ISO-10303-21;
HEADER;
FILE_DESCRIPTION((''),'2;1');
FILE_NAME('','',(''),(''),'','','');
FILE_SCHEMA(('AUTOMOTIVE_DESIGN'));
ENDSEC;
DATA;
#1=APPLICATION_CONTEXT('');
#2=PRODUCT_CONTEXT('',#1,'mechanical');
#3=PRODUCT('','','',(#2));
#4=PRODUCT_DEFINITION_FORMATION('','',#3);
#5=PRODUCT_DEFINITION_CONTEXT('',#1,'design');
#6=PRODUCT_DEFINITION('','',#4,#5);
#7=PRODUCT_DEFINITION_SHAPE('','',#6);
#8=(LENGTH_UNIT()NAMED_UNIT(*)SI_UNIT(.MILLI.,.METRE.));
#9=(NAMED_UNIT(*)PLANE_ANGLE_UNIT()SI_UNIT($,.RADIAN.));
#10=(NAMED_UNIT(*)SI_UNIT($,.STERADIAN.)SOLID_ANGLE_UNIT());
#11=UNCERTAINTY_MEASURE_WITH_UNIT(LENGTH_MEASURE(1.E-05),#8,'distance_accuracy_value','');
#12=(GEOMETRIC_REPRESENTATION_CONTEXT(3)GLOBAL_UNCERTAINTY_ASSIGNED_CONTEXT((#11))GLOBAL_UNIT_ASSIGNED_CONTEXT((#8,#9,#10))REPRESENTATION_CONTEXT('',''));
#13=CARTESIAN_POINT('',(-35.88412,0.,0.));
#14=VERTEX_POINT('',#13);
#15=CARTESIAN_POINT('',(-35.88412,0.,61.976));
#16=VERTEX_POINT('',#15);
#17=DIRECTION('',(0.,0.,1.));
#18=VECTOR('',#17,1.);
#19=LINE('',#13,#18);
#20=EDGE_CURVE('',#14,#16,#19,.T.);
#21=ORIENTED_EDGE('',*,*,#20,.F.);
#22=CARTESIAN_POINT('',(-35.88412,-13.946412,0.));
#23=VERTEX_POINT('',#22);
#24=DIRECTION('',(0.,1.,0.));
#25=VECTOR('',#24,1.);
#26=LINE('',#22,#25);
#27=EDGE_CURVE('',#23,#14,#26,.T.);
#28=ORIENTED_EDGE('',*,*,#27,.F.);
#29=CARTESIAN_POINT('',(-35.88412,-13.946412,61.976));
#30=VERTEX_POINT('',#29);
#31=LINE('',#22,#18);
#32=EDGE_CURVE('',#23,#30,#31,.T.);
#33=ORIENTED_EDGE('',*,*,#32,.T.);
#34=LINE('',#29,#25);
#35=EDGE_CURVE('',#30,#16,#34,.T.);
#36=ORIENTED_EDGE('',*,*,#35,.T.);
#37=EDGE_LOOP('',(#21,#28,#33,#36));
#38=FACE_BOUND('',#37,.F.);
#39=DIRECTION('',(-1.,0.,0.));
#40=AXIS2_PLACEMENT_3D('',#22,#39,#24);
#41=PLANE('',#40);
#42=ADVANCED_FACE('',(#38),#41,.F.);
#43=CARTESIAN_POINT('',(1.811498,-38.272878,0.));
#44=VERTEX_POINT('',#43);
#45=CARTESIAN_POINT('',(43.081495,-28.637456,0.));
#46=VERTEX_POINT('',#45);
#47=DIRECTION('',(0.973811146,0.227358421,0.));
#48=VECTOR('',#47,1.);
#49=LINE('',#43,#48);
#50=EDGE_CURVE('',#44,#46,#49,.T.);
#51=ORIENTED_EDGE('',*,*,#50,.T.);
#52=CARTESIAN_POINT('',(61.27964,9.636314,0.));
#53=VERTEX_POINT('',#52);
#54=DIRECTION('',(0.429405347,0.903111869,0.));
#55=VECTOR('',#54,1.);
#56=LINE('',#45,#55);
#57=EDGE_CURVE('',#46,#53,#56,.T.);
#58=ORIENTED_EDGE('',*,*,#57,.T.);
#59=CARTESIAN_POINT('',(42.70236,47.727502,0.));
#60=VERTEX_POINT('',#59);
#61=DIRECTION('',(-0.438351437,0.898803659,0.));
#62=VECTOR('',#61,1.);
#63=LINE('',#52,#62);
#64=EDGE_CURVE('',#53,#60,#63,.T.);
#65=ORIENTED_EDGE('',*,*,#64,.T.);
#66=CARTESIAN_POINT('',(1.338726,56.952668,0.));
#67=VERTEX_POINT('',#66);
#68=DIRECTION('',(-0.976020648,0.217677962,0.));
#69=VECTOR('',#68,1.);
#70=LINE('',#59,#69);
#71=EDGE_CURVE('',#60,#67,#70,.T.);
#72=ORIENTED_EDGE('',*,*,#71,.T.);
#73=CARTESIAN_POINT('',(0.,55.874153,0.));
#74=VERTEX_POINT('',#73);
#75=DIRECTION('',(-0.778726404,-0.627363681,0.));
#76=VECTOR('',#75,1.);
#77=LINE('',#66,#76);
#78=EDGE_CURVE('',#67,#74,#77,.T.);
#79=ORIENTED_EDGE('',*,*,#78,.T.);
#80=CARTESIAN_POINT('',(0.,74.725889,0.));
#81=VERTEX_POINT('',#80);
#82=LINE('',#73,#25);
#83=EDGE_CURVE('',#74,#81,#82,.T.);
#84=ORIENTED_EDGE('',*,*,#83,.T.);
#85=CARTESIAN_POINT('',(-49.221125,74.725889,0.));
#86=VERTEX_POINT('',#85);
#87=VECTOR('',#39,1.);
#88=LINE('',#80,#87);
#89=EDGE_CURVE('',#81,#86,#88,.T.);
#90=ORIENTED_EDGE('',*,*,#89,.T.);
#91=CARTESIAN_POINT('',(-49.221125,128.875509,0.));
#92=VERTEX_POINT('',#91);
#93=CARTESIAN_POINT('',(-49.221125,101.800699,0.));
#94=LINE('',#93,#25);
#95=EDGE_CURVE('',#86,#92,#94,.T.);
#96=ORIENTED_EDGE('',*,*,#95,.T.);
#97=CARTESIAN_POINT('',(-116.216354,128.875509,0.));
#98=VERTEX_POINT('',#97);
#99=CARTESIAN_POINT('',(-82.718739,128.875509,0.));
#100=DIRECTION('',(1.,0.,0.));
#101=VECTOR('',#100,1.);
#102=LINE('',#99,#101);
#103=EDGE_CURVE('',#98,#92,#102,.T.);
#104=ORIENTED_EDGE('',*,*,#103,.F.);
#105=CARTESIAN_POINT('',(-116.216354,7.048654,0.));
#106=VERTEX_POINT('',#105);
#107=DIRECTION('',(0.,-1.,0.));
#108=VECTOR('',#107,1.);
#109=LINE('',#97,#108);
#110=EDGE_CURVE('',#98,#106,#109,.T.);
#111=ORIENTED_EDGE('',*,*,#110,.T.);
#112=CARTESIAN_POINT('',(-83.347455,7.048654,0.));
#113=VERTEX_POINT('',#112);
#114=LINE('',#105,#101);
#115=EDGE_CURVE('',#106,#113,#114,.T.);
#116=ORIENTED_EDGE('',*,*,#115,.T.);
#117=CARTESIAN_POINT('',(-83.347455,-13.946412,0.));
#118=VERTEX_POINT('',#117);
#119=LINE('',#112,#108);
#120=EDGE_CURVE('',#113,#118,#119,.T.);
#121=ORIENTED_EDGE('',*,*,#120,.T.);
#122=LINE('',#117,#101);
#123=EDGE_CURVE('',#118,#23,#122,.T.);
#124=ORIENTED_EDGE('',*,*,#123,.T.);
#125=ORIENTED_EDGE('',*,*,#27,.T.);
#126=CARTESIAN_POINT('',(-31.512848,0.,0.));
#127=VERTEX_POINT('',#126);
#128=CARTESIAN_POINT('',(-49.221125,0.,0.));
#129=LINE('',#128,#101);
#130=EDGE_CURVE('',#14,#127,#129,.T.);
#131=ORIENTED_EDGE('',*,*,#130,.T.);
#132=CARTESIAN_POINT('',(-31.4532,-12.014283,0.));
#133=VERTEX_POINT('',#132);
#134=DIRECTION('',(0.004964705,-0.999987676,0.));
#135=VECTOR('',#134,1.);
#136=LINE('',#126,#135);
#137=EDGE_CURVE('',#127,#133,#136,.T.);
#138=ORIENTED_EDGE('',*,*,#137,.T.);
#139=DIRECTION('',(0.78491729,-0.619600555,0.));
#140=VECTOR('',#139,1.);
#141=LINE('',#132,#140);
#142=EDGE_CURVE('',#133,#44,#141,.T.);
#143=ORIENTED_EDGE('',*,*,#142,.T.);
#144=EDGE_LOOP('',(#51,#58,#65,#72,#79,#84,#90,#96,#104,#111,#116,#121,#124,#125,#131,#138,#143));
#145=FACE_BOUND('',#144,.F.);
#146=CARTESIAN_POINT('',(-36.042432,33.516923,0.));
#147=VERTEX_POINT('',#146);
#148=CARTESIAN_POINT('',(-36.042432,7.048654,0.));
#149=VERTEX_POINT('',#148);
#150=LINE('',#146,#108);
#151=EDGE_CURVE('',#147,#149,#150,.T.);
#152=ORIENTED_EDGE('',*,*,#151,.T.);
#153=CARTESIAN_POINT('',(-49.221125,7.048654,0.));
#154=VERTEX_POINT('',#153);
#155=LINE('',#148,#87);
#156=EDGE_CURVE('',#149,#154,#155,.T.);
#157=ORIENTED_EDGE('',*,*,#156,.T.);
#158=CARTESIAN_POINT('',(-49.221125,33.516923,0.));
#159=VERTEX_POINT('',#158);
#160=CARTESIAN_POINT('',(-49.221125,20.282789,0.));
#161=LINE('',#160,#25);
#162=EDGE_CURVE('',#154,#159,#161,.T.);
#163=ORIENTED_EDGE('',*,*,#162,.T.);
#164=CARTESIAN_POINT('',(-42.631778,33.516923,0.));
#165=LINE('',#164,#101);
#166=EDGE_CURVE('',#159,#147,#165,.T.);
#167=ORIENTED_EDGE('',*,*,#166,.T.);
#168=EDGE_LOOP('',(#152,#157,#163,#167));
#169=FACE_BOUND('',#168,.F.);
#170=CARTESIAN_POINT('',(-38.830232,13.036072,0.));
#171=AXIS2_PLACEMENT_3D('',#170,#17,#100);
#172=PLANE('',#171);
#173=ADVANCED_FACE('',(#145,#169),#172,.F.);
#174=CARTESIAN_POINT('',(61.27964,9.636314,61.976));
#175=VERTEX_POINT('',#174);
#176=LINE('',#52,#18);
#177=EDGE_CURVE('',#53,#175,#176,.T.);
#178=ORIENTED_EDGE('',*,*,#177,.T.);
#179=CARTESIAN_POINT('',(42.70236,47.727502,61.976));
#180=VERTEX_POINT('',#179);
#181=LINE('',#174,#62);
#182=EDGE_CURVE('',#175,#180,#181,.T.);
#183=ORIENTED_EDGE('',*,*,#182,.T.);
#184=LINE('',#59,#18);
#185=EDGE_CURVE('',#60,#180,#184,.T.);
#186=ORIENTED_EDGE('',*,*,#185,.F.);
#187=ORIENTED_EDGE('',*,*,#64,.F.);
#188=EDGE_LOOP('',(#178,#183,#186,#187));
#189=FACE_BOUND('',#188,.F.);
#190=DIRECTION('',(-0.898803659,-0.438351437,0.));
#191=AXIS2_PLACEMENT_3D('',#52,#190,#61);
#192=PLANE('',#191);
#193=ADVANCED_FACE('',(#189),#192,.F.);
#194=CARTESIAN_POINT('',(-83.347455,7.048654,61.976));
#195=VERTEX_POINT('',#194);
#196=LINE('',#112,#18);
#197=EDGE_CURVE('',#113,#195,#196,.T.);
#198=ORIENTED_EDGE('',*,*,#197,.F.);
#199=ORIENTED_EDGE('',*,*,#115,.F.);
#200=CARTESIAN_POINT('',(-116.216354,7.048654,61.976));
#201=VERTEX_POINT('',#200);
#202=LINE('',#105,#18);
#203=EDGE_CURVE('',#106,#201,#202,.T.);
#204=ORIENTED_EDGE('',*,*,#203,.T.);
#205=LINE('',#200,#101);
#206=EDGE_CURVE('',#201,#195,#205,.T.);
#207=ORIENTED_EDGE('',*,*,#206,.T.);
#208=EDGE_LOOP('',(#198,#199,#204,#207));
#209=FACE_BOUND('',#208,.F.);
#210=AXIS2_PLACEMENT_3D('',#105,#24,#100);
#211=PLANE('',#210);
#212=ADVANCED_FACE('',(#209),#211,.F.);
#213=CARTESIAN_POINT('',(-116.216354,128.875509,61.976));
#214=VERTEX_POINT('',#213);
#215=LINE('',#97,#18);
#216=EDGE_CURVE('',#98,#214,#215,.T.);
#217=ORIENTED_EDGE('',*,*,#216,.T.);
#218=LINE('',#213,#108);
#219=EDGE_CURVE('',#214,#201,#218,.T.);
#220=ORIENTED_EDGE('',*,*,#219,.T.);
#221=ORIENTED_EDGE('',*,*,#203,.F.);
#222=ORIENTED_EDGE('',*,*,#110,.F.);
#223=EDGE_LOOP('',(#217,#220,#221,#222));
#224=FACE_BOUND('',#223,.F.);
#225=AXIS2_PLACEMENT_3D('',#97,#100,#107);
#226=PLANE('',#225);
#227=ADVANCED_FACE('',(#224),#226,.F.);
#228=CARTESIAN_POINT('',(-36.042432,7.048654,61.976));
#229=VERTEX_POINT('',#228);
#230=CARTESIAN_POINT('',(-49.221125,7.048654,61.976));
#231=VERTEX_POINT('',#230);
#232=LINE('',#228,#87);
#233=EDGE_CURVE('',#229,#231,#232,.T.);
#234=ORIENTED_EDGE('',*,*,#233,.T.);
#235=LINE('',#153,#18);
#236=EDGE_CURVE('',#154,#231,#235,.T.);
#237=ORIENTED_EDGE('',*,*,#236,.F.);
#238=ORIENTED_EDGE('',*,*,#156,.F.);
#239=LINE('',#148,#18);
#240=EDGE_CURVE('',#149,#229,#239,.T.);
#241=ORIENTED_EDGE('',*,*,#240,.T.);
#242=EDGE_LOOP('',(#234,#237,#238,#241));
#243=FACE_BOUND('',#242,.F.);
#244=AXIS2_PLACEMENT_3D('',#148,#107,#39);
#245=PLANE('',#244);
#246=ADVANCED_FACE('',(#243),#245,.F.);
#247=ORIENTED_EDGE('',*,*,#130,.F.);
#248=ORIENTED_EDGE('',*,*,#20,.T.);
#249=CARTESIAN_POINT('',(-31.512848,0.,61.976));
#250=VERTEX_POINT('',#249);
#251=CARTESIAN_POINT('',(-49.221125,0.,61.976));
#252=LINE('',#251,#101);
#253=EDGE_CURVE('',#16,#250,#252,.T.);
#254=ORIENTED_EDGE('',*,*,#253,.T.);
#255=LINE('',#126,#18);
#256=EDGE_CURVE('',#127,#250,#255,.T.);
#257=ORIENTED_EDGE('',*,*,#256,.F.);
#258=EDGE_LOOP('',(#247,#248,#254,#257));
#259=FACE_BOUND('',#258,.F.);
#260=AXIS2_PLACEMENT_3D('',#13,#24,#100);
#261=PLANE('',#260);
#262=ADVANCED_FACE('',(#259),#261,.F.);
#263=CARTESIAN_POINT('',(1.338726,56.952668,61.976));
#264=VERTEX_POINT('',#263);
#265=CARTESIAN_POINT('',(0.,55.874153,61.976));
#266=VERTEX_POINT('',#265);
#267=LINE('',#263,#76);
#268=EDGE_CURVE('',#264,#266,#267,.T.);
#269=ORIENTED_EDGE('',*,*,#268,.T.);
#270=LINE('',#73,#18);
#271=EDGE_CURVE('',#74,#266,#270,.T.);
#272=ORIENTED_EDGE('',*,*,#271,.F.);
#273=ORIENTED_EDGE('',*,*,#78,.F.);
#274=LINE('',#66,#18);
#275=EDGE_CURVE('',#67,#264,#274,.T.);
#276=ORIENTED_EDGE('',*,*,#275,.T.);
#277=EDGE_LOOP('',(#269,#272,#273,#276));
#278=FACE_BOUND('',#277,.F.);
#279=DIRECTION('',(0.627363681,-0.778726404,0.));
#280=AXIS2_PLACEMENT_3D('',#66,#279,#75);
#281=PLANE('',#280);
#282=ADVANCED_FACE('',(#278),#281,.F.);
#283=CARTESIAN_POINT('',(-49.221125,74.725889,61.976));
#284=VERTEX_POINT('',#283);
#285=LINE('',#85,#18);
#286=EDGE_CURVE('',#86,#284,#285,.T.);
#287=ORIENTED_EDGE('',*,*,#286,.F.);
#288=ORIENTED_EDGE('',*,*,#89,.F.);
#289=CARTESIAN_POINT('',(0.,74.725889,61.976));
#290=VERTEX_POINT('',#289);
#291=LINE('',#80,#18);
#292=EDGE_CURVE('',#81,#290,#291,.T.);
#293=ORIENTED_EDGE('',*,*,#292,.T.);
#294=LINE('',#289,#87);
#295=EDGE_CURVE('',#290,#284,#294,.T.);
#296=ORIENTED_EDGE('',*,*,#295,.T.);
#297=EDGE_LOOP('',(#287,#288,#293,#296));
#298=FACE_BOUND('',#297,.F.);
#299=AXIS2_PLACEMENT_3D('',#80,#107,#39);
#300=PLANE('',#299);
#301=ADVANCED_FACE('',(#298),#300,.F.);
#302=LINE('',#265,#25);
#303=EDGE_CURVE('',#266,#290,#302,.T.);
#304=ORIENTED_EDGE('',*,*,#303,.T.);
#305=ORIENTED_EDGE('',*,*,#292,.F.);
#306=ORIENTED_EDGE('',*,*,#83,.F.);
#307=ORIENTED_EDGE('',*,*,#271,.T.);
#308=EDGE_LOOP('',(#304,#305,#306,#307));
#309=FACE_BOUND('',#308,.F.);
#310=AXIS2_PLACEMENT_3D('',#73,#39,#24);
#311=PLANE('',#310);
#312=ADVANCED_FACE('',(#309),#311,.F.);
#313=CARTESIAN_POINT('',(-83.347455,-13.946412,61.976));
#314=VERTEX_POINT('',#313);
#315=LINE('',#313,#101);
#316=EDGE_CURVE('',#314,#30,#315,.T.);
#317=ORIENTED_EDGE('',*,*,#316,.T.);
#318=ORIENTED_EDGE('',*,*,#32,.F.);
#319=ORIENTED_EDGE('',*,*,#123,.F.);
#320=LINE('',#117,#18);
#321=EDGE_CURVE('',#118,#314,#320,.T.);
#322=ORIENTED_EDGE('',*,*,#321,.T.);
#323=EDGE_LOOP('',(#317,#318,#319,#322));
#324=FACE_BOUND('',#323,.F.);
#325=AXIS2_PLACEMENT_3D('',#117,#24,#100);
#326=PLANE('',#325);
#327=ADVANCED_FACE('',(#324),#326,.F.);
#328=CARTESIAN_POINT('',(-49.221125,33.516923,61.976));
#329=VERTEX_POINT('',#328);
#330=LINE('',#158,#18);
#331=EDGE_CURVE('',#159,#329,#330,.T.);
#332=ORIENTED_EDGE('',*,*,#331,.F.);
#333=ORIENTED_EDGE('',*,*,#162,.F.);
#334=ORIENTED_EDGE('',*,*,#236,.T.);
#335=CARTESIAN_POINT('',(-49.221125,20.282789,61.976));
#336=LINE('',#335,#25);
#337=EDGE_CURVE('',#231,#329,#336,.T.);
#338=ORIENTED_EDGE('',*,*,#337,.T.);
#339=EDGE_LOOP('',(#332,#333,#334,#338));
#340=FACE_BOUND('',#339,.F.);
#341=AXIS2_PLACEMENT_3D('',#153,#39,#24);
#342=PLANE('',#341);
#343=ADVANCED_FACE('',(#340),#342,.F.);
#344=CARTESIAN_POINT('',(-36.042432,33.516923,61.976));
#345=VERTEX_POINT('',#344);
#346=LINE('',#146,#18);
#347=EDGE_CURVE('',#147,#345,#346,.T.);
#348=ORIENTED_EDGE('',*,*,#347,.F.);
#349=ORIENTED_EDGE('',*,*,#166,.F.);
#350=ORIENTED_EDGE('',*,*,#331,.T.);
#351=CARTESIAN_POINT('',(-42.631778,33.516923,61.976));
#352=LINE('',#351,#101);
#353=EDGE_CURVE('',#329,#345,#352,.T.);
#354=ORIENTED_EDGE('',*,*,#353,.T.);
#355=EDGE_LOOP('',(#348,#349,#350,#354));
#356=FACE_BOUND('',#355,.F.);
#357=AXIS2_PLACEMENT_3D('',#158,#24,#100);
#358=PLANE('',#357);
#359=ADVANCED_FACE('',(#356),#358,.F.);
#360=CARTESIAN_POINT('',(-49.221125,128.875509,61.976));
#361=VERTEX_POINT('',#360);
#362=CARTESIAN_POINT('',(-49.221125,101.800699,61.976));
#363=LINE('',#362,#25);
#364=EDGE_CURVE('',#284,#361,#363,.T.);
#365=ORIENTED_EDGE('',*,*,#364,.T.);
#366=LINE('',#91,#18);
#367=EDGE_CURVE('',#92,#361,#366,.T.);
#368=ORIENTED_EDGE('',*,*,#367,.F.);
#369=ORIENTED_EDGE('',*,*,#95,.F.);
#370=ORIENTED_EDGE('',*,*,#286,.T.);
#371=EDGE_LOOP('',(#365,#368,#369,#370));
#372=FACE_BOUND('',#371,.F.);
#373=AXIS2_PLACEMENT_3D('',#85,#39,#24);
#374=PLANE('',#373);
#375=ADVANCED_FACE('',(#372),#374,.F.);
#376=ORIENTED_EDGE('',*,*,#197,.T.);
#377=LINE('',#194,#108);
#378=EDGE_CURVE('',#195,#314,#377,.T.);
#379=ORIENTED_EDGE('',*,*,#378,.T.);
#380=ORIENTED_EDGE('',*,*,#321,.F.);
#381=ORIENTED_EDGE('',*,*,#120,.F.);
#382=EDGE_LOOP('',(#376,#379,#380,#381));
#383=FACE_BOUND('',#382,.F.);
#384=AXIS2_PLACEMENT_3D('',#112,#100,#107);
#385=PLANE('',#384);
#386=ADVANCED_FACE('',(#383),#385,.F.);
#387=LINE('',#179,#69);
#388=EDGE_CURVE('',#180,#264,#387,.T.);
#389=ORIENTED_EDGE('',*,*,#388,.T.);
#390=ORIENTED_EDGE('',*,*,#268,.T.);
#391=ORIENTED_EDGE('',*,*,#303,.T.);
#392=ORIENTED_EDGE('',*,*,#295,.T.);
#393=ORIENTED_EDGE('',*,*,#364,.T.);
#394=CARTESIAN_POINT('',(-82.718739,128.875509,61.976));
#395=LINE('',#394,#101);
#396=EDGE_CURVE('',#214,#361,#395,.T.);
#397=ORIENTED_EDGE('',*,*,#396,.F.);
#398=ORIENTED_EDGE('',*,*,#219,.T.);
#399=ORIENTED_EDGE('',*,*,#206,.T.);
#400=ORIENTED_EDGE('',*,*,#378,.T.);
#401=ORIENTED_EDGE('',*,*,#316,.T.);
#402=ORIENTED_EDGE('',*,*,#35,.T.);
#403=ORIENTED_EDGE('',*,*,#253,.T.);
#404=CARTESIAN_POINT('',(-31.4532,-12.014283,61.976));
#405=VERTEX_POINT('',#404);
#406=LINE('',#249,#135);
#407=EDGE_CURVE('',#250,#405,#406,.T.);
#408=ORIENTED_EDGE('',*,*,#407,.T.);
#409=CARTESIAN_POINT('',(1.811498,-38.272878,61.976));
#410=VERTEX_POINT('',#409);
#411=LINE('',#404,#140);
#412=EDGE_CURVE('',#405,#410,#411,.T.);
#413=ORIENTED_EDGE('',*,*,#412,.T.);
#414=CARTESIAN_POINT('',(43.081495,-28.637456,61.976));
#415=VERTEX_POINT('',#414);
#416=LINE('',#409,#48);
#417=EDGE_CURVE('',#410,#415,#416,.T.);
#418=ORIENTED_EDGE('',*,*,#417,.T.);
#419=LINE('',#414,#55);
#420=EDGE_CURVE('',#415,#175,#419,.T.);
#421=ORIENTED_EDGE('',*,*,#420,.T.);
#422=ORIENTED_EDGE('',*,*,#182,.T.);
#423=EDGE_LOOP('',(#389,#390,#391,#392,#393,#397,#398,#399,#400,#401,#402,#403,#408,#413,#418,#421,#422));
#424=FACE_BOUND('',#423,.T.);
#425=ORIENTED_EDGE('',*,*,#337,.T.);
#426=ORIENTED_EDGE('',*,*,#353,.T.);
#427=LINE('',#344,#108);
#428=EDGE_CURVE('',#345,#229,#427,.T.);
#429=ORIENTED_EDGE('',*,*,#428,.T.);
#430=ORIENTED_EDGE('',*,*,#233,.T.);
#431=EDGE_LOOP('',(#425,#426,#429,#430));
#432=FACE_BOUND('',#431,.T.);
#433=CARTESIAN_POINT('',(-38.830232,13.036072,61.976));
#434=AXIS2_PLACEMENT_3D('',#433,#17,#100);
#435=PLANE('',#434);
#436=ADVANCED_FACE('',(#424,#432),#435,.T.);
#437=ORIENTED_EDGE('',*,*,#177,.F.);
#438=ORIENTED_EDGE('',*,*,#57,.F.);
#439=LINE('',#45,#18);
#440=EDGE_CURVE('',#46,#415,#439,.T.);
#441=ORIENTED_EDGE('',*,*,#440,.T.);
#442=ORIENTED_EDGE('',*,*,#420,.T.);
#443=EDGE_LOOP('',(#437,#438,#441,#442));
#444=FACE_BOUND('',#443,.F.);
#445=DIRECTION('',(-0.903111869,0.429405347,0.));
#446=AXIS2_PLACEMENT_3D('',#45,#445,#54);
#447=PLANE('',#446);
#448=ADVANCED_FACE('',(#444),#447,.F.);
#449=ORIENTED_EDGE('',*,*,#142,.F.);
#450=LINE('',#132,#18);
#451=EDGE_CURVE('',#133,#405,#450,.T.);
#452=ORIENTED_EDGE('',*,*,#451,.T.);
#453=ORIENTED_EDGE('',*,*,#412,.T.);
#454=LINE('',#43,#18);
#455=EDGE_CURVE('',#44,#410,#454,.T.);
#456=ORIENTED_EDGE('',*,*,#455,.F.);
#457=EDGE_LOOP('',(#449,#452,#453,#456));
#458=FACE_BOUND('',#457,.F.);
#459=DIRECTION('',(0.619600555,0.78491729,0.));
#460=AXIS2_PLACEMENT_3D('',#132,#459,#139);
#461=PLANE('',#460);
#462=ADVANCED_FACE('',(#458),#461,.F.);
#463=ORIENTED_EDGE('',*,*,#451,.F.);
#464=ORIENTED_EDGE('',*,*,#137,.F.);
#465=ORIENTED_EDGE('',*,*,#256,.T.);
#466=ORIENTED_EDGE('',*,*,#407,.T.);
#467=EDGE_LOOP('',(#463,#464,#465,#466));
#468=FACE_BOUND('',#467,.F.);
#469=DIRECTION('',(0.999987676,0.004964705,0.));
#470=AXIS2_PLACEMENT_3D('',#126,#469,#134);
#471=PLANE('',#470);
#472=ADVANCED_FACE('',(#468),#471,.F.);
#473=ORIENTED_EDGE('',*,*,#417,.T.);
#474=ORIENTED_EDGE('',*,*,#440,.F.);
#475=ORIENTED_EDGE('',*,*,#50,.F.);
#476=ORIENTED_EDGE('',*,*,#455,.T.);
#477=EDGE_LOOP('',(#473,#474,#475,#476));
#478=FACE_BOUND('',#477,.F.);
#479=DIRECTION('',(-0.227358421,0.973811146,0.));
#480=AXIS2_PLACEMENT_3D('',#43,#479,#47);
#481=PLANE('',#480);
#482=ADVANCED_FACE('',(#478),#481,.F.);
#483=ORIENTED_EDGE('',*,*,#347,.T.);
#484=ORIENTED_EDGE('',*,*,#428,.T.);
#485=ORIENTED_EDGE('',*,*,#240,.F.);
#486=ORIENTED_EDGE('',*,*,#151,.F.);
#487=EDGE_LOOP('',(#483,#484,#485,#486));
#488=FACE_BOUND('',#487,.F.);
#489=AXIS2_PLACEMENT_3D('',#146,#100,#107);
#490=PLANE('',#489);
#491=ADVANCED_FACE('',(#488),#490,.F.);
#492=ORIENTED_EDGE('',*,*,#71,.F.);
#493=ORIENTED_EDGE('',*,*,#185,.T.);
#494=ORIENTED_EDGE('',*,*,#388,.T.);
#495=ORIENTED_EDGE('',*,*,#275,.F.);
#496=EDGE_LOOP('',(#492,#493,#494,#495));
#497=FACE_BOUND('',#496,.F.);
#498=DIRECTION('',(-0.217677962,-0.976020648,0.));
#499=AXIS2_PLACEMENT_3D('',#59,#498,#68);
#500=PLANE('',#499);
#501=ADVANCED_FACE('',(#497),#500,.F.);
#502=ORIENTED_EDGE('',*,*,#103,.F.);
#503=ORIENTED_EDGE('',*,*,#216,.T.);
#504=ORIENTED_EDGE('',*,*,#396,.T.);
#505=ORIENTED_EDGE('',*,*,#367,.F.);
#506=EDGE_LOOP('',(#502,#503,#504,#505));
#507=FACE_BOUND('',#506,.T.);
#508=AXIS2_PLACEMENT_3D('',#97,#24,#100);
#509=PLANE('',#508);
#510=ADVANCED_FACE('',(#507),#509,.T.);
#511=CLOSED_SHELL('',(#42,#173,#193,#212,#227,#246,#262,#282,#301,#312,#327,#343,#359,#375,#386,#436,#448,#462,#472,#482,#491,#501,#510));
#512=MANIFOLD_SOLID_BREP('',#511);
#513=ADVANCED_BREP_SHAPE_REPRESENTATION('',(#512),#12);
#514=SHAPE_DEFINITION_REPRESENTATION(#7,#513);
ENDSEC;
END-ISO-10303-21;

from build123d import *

# Parameters (mm, degrees)
F0_W     = 13.1786922227
F0_H     = 41.2089657038
F0_W_2   = 66.9952295721
F0_H_2   = 54.149620235
F0_W_3   = 34.1263301671
F0_H_3   = 26.4682687528
F1_DEPTH = 61.976


with BuildPart() as f1:
    # F0 (on Top) → F1 (new body)
    with BuildSketch(Plane.XY):
        Polygon((-49.2211245, 0), (-35.8841195703, 0), (-35.8841195703, 33.5169229656), (-36.0424322773, 33.5169229656), (-36.0424322773, 7.0486542129), (-49.2211245, 7.0486542129), align=None)
        Polygon((-31.6636036608, 30.3650720171), (-31.5128481644, 0), (0, 0), (0, 55.8741530566), align=None)
        with Locations((-42.6317783887, 54.1214058176)):
            Rectangle(F0_W, F0_H)
        Polygon((0, 0), (-31.5128481644, 0), (-31.4532000547, -12.0142826496), (1.8114981332, -38.2728779304), (43.0814946911, -28.637456001), (61.2796404565, 9.6363138989), (42.7023604934, 47.7275023921), (1.3387255216, 56.9526676245), (0, 55.8741530566), align=None)
        Polygon((-116.2163540721, 7.0486542129), (-83.3474546671, 7.0486542129), (-83.3474546671, 33.5169229656), (-49.2211245, 33.5169229656), (-49.2211245, 74.7258886695), (-116.2163540721, 74.7258886695), align=None)
        with Locations((-82.7187392861, 101.800698787)):
            Rectangle(F0_W_2, F0_H_2)
        with Locations((-66.2842895836, 20.2827885893)):
            Rectangle(F0_W_3, F0_H_3)
        Polygon((-35.8841195703, 33.5169229656), (-35.8841195703, 0), (-31.5128481644, 0), (-31.6636036608, 30.3650720171), (0, 55.8741530566), (0, 74.7258886695), (-36.0424322773, 74.7258886695), (-36.0424322773, 33.5169229656), align=None)
        Polygon((-83.3474546671, -13.9464121312), (-35.8841195703, -13.9464121312), (-35.8841195703, 0), (-49.2211245, 0), (-49.2211245, 7.0486542129), (-83.3474546671, 7.0486542129), align=None)
    extrude(amount=F1_DEPTH)


solid = f1.part
